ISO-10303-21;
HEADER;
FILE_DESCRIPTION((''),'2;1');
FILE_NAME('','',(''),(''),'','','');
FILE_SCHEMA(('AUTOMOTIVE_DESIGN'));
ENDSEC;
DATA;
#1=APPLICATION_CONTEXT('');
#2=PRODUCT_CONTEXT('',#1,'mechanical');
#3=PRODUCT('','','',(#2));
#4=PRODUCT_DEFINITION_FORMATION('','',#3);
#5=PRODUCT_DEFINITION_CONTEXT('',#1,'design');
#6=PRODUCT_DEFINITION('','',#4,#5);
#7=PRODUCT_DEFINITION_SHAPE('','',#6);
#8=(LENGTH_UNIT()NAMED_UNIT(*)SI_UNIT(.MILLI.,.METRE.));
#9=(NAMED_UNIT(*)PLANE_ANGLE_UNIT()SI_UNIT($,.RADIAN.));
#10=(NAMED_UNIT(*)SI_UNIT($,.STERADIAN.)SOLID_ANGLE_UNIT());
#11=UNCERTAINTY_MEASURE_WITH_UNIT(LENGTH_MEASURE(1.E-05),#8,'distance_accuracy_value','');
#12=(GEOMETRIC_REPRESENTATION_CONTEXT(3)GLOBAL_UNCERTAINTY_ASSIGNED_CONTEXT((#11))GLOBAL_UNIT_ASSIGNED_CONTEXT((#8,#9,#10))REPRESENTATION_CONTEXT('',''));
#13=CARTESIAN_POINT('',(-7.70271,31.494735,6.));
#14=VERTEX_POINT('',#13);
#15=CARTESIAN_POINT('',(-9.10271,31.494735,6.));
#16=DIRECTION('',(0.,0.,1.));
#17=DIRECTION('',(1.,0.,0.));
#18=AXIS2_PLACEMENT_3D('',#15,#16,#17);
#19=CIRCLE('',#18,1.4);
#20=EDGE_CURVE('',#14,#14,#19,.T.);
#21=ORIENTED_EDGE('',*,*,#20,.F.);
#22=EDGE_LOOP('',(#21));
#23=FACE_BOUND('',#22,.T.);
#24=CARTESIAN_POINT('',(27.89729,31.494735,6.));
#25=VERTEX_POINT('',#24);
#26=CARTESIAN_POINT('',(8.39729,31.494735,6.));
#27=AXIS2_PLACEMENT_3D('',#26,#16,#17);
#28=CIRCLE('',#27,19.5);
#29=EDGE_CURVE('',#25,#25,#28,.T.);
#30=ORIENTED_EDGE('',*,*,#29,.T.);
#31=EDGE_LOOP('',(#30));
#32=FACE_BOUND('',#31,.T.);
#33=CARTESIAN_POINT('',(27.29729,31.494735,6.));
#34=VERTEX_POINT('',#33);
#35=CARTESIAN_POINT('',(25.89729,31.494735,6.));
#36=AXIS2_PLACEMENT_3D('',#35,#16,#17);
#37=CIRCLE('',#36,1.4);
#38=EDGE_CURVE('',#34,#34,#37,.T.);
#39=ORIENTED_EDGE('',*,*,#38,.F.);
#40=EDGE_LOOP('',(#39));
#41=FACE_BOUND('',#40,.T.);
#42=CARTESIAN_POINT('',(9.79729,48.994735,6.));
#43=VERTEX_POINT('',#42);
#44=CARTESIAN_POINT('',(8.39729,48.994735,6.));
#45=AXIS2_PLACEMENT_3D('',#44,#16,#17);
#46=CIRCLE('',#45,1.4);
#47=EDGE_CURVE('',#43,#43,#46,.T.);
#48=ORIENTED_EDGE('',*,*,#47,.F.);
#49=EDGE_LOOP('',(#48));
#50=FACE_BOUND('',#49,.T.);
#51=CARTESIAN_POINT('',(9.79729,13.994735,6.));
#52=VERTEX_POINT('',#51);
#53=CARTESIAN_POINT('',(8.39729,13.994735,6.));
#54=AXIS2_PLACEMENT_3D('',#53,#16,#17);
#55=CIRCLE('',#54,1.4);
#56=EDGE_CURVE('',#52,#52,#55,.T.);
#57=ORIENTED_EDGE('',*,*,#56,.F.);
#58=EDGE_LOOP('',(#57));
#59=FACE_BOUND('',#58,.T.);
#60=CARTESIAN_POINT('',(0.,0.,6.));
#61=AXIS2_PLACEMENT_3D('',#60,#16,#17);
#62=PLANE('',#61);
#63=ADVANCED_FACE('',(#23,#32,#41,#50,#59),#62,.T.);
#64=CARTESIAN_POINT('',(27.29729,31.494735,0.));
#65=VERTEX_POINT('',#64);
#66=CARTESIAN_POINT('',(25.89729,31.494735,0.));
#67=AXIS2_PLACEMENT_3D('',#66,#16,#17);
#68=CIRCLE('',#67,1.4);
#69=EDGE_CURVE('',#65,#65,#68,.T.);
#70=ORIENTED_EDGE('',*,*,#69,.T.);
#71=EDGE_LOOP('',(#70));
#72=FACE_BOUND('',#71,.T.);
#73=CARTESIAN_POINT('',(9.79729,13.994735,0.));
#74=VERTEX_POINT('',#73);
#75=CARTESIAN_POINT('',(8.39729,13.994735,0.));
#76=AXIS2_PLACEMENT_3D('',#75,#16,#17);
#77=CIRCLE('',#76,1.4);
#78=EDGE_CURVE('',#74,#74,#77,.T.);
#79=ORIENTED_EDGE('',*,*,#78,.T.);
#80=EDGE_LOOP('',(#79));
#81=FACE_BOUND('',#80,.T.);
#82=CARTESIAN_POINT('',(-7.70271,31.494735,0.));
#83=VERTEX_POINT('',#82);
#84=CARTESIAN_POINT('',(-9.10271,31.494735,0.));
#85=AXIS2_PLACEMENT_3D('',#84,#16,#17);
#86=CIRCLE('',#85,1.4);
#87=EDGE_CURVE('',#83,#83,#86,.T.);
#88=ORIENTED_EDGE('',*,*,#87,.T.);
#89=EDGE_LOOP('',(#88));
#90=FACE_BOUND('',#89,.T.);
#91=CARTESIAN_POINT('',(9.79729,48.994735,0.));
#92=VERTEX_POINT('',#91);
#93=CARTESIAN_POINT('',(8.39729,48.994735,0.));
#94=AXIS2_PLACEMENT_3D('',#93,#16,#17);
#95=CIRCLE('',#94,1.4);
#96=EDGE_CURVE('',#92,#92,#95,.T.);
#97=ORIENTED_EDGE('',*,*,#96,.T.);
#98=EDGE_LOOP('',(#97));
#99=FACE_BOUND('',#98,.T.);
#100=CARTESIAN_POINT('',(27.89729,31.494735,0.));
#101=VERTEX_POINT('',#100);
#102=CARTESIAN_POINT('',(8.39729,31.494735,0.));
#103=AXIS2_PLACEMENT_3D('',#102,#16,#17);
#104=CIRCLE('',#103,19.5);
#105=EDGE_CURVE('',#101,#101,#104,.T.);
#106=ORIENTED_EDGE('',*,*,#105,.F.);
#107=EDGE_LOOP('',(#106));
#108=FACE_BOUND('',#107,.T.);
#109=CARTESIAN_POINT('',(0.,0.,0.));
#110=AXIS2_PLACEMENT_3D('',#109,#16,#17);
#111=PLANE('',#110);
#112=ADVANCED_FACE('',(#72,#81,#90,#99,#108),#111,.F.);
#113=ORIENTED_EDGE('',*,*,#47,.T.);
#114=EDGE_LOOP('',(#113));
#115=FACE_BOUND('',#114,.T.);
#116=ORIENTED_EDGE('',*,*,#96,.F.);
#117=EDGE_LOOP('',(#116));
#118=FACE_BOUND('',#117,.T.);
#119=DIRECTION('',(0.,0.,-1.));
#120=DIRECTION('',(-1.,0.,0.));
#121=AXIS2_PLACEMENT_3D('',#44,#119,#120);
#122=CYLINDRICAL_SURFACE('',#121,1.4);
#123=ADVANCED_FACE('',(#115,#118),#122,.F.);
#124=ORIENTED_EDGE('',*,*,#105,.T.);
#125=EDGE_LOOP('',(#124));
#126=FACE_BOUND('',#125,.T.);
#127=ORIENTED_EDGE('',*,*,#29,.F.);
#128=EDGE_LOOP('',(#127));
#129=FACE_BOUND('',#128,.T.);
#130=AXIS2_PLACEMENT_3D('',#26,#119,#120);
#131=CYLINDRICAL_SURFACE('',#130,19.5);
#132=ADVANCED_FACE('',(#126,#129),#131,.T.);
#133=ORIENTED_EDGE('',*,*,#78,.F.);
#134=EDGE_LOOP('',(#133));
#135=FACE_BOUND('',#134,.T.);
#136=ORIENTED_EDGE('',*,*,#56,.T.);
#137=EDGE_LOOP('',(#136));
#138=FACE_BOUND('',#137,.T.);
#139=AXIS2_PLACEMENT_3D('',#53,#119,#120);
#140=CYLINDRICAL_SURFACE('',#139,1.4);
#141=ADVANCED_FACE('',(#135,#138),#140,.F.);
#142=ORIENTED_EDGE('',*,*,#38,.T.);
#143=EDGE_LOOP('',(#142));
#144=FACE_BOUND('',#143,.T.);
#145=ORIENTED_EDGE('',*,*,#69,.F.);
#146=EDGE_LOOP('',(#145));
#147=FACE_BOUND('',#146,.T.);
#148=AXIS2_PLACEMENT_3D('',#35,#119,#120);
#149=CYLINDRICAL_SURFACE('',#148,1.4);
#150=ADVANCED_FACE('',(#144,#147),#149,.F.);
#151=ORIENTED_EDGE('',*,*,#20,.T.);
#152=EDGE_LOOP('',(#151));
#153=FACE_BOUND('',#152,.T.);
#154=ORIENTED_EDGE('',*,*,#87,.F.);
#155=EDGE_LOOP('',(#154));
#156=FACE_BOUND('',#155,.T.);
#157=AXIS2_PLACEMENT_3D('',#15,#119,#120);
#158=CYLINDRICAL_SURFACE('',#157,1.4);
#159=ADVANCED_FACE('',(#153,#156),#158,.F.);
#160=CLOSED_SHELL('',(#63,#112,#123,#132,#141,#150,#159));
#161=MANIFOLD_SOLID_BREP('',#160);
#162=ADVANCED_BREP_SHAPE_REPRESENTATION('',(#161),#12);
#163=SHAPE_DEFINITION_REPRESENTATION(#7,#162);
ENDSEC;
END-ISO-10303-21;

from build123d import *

# Parameters (mm, degrees)
SKETCH1_R           = 19.5
SKETCH1_R_2         = 1.4
BOSS_EXTRUDE1_DEPTH = 6


with BuildPart() as part:
    # Sketch1 → Boss-Extrude1 (new body)
    with BuildSketch(Plane.XY):
        with Locations((8.397290399, 31.494734579)):
            Circle(SKETCH1_R)
        with Locations((8.397290399, 48.994734579)):
            Circle(SKETCH1_R_2, mode=Mode.SUBTRACT)
        with Locations((-9.102709601, 31.494734579)):
            Circle(SKETCH1_R_2, mode=Mode.SUBTRACT)
        with Locations((8.397290399, 13.994734579)):
            Circle(SKETCH1_R_2, mode=Mode.SUBTRACT)
        with Locations((25.897290399, 31.494734579)):
            Circle(SKETCH1_R_2, mode=Mode.SUBTRACT)
    extrude(amount=BOSS_EXTRUDE1_DEPTH)


solid = part.part
